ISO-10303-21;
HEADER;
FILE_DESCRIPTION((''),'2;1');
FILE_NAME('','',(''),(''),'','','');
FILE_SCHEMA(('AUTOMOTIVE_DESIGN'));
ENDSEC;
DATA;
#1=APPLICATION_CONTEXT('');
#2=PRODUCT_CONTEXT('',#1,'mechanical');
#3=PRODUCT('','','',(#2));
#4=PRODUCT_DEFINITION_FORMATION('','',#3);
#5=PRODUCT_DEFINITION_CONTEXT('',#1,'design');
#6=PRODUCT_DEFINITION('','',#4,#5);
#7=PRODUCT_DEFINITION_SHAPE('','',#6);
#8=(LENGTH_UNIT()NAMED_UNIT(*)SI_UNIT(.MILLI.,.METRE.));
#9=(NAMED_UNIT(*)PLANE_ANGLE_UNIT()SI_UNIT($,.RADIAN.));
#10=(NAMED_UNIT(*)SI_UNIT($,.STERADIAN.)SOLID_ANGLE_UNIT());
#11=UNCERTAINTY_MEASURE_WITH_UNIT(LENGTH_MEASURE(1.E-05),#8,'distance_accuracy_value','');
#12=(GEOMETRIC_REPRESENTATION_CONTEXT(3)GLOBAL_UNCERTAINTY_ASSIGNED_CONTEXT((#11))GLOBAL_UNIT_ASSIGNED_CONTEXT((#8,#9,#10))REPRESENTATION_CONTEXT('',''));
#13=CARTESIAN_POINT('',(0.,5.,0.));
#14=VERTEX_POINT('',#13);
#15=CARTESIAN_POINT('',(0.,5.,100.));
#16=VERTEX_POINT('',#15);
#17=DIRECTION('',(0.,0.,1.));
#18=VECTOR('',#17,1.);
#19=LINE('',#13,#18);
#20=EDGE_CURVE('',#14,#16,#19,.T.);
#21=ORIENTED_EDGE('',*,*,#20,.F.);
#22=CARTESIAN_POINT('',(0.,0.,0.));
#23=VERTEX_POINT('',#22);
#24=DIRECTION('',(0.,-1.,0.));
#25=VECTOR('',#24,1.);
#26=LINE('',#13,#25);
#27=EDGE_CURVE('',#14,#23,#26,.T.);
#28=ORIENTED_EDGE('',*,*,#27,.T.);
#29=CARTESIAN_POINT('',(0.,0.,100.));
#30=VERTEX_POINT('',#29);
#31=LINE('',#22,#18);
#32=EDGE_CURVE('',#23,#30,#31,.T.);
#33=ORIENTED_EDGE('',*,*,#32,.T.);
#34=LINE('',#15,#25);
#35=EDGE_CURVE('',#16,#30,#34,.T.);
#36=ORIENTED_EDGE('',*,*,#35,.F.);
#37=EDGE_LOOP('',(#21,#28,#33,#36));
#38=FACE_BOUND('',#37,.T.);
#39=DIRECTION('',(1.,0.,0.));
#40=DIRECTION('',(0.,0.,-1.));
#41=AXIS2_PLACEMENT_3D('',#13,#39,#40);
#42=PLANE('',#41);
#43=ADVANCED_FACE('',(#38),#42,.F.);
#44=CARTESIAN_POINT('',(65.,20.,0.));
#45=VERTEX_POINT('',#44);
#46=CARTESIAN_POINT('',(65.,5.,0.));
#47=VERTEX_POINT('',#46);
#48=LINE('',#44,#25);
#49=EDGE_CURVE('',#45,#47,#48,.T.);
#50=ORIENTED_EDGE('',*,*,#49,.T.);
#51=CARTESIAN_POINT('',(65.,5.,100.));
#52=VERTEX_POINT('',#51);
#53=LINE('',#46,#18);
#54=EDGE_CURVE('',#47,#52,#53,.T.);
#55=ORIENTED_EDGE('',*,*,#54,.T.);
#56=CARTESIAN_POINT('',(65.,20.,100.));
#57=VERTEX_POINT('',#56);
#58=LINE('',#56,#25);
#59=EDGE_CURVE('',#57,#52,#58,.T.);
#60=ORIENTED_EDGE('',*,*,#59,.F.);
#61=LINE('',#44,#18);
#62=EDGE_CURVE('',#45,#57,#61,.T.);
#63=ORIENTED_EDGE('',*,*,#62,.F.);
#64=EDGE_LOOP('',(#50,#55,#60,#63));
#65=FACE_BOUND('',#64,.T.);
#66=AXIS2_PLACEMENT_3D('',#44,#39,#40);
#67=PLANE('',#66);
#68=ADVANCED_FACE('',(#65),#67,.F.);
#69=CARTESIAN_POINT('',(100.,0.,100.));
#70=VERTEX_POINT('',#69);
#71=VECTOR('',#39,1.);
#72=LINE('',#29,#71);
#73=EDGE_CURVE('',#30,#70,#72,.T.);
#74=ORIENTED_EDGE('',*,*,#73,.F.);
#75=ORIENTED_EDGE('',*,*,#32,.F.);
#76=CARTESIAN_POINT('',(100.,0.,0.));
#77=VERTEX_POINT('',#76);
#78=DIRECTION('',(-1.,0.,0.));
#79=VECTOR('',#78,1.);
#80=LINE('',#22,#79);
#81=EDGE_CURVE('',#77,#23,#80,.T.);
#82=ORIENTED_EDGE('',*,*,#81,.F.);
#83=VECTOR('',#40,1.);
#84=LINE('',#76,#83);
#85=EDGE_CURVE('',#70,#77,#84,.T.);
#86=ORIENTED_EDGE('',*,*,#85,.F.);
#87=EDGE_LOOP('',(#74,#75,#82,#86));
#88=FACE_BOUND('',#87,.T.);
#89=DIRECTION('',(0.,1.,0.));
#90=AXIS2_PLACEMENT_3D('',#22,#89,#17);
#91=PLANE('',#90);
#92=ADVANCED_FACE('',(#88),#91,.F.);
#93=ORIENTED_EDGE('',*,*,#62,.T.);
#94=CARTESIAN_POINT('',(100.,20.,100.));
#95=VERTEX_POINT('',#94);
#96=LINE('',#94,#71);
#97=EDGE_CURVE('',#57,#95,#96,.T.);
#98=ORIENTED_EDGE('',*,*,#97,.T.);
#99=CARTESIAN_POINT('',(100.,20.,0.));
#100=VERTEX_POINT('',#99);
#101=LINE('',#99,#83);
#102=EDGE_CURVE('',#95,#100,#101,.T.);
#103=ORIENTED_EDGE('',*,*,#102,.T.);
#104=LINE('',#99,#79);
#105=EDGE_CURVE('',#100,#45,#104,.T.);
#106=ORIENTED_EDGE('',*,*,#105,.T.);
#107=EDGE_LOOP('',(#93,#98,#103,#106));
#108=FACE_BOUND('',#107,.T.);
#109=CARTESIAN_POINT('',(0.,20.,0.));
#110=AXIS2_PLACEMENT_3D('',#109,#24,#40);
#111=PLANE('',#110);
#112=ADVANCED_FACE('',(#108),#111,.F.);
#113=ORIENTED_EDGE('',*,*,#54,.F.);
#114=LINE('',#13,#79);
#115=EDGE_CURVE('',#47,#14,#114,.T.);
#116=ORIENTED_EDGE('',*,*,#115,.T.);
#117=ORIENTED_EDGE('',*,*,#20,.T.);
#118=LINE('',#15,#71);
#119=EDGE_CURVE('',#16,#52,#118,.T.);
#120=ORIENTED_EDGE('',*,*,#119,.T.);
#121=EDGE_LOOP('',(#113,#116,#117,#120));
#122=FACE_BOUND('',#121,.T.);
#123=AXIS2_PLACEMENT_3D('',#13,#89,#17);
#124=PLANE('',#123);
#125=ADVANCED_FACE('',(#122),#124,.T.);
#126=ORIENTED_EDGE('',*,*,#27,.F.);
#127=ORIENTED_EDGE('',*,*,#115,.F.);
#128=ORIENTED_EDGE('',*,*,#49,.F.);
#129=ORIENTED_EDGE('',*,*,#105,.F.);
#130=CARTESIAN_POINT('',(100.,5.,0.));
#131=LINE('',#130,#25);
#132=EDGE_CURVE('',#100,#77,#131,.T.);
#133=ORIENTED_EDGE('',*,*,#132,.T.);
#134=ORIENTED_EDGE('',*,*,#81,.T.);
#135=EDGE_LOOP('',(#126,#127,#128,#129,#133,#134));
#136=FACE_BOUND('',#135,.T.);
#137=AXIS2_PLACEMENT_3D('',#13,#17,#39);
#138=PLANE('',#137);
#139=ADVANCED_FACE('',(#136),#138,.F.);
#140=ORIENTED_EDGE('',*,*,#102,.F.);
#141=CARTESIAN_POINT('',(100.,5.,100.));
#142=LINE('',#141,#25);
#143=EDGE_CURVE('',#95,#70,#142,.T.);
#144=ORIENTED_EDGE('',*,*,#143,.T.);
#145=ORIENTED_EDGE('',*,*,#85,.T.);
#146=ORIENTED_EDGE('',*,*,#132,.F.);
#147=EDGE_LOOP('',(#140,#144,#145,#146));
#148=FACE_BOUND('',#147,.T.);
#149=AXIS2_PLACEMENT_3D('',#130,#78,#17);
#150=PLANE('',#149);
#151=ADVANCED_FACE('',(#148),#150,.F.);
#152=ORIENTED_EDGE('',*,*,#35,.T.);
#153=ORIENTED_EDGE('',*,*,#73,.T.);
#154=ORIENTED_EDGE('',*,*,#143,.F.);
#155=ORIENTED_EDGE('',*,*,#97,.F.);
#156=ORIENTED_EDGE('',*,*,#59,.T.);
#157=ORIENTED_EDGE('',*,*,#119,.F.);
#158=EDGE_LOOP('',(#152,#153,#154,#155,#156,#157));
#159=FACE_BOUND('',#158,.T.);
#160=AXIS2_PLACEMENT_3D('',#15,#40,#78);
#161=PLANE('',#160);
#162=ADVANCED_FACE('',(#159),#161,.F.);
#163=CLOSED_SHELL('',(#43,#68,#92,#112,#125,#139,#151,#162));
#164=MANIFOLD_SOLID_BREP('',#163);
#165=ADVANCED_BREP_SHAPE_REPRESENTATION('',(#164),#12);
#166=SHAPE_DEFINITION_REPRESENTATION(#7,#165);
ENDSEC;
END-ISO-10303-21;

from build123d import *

# Parameters (mm, degrees)
SKETCH_1_W      = 100
SKETCH_1_H      = 100
EXTRUDE_1_DEPTH = 5
SKETCH_2_W      = 35
SKETCH_2_H      = 100
EXTRUDE_2_DEPTH = 15


with BuildPart() as part:
    # 草图1 → 凸台-拉伸1 (new body)
    with BuildSketch(Plane(origin=(0, 0, 0), x_dir=(1, 0, 0), z_dir=(0, 1, 0))):
        with Locations((50, -50)):
            Rectangle(SKETCH_1_W, SKETCH_1_H)
    extrude(amount=EXTRUDE_1_DEPTH)

    # 草图2 → 凸台-拉伸2 (add)
    with BuildSketch(Plane(origin=(0, 5, 0), x_dir=(1, 0, 0), z_dir=(0, 1, 0))):
        with Locations((82.5, -50)):
            Rectangle(SKETCH_2_W, SKETCH_2_H)
    extrude(amount=EXTRUDE_2_DEPTH)


solid = part.part
